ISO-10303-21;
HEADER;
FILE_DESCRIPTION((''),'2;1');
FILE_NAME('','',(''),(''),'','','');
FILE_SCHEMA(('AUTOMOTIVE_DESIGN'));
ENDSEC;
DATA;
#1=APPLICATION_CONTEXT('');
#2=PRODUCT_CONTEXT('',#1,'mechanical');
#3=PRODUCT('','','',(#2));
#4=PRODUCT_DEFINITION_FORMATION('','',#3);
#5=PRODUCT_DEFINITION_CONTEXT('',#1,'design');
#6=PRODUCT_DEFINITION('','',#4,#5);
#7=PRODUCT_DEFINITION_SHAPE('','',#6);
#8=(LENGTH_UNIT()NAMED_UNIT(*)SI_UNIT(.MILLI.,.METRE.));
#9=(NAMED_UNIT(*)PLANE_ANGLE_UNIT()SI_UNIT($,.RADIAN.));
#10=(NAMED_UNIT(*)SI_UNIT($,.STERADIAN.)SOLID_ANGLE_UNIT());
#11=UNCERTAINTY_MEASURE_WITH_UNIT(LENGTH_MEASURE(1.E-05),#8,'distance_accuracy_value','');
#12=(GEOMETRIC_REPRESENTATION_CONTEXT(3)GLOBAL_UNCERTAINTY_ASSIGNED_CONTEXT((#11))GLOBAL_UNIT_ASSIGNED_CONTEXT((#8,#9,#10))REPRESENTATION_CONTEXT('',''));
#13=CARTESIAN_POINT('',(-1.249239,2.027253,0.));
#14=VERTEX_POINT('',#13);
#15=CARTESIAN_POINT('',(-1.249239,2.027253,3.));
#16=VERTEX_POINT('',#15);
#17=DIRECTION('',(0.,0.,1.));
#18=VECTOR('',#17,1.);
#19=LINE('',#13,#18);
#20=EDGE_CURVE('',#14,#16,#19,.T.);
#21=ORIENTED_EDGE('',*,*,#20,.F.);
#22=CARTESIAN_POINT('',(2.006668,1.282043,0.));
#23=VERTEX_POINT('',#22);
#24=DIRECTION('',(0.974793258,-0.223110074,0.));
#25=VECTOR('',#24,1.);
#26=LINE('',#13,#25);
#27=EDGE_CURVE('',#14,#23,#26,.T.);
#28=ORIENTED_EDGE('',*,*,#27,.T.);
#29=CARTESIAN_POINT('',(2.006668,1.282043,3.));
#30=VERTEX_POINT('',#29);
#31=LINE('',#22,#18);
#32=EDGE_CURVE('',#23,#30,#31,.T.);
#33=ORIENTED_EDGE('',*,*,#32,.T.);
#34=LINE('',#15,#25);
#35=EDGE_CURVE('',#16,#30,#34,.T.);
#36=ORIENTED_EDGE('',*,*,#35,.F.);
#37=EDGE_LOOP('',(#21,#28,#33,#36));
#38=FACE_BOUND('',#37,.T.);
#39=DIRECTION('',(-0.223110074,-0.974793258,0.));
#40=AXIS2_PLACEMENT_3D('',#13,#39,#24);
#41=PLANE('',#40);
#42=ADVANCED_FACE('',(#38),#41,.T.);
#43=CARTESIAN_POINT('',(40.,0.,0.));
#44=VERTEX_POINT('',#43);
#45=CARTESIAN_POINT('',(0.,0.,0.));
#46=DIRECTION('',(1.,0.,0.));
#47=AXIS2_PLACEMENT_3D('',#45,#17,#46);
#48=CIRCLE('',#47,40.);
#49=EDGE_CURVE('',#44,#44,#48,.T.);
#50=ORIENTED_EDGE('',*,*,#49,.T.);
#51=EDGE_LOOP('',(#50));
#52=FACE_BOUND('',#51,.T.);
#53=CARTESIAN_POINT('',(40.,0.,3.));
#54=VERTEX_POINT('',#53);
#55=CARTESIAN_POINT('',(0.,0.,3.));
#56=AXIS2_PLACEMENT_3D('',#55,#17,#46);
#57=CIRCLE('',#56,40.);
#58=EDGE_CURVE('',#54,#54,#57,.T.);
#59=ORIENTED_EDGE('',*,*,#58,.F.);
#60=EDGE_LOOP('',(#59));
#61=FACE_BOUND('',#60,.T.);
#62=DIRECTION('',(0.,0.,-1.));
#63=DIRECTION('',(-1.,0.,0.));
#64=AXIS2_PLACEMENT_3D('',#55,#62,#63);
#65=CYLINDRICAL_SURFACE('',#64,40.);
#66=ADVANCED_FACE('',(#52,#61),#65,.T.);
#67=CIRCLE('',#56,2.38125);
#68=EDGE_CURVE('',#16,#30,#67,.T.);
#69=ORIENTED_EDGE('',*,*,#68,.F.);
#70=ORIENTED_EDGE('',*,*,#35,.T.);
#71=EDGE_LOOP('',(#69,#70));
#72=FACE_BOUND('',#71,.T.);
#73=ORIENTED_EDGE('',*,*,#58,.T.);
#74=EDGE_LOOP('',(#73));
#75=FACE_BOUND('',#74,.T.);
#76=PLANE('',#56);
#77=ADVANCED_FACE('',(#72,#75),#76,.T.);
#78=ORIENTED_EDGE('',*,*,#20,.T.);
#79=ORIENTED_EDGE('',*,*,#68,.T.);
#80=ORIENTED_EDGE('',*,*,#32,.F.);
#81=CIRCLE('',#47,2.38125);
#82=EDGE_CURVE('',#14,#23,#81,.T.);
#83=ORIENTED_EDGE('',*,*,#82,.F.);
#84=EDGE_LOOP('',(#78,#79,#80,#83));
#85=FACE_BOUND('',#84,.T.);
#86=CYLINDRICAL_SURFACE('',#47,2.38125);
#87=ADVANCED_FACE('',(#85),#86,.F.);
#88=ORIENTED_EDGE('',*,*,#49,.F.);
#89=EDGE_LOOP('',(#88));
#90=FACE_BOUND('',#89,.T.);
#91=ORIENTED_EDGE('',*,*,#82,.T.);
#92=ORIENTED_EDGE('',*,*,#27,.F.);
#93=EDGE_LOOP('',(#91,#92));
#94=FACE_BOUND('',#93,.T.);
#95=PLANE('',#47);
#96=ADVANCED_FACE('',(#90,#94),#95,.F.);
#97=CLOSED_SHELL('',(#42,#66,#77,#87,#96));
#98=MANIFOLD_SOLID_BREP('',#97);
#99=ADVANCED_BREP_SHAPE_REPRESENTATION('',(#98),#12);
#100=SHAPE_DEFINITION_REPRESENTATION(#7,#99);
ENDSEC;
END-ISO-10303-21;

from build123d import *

# Parameters (mm, degrees)
SKETCH1_R           = 40
BOSS_EXTRUDE1_DEPTH = 3
CUT_EXTRUDE1_DEPTH  = 3


with BuildPart() as part:
    # Sketch1 → Boss-Extrude1 (new body)
    with BuildSketch(Plane.XY):
        Circle(SKETCH1_R)
    extrude(amount=BOSS_EXTRUDE1_DEPTH)

    # Sketch2 → Cut-Extrude1 (cut)
    with BuildSketch(Plane.XY.offset(3)):
        with BuildLine():
            Line((-1.249238699, 2.027252879), (2.006668261, 1.282042922))
            ThreePointArc((2.006668261, 1.282042922), (-0.531280863, -2.321226445), (-1.249238699, 2.027252879))
        make_face()
    extrude(amount=-CUT_EXTRUDE1_DEPTH, mode=Mode.SUBTRACT)


solid = part.part
